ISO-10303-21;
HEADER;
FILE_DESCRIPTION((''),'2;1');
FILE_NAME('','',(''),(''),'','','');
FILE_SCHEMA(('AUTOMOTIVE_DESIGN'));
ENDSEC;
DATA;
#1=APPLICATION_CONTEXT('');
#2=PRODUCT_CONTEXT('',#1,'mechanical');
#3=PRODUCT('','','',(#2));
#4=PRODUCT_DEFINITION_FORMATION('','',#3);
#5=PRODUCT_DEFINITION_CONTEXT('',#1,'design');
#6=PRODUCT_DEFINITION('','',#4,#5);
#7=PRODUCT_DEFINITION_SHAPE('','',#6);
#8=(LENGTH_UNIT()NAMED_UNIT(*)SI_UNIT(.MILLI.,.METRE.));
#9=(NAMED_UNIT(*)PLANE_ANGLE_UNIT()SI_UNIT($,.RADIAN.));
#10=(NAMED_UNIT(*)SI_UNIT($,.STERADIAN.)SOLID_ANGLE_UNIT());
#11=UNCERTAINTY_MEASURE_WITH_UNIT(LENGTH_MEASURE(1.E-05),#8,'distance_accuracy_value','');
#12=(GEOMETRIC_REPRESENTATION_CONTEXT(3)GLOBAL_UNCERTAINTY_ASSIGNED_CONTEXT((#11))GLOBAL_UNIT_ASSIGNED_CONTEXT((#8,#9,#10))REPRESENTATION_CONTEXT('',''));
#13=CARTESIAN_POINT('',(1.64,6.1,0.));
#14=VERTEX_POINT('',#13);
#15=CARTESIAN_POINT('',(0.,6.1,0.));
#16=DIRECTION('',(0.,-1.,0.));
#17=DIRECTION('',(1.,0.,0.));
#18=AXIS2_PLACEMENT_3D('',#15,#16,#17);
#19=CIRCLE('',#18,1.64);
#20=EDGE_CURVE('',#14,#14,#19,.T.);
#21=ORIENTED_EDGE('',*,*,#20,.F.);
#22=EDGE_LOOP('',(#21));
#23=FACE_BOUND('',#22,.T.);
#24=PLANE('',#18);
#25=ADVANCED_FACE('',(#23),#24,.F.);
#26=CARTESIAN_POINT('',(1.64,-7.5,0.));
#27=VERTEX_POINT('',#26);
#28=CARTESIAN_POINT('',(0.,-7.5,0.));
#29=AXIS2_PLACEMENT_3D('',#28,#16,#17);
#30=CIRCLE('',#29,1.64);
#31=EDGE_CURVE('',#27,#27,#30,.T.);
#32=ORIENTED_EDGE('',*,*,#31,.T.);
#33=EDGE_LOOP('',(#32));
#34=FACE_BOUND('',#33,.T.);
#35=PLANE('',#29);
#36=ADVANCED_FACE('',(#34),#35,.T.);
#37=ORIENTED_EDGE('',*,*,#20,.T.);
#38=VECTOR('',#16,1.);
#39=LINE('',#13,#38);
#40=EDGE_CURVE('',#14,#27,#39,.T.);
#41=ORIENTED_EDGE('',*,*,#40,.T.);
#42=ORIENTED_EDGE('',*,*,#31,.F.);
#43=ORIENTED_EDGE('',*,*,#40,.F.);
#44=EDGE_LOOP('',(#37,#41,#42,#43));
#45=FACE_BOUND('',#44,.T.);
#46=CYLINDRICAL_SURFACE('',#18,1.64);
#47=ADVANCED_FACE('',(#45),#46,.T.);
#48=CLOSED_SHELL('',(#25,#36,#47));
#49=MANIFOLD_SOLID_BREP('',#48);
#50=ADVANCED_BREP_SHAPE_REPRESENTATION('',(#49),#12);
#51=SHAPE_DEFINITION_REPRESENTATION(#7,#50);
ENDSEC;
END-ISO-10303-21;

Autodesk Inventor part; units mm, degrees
sketch "Sketch_1" plane through (0, 0, 0) normal (0, 0, 1) x (1, 0, 0)
  line L0 (0, -7.5) -> (0, 6.1)
  line L1 (0, 6.1) -> (1.64, 6.1)
  line L2 (1.64, 6.1) -> (1.64, -7.5)
  line L3 (1.64, -7.5) -> (0, -7.5)
  line L4 (0, -7.5) -> (0, 6.1)
revolve "Revolution1" add sketch "Sketch_1" angle 360 about axis through (0, -7.5, 0) along (0, -1, 0)
ref_plane "Body2_1_XY" through (0, 0, 0) normal (0, 1, 0) x (1, 0, 0)
ref_plane "Body2_1_YZ" through (0, 0, 0) normal (1, 0, 0) x (0, 0, -1)
ref_plane "Body2_1_ZX" through (0, 0, 0) normal (0, 0, -1) x (0, 1, 0)
properties part number "06B - 1 RP- Pin 2"
